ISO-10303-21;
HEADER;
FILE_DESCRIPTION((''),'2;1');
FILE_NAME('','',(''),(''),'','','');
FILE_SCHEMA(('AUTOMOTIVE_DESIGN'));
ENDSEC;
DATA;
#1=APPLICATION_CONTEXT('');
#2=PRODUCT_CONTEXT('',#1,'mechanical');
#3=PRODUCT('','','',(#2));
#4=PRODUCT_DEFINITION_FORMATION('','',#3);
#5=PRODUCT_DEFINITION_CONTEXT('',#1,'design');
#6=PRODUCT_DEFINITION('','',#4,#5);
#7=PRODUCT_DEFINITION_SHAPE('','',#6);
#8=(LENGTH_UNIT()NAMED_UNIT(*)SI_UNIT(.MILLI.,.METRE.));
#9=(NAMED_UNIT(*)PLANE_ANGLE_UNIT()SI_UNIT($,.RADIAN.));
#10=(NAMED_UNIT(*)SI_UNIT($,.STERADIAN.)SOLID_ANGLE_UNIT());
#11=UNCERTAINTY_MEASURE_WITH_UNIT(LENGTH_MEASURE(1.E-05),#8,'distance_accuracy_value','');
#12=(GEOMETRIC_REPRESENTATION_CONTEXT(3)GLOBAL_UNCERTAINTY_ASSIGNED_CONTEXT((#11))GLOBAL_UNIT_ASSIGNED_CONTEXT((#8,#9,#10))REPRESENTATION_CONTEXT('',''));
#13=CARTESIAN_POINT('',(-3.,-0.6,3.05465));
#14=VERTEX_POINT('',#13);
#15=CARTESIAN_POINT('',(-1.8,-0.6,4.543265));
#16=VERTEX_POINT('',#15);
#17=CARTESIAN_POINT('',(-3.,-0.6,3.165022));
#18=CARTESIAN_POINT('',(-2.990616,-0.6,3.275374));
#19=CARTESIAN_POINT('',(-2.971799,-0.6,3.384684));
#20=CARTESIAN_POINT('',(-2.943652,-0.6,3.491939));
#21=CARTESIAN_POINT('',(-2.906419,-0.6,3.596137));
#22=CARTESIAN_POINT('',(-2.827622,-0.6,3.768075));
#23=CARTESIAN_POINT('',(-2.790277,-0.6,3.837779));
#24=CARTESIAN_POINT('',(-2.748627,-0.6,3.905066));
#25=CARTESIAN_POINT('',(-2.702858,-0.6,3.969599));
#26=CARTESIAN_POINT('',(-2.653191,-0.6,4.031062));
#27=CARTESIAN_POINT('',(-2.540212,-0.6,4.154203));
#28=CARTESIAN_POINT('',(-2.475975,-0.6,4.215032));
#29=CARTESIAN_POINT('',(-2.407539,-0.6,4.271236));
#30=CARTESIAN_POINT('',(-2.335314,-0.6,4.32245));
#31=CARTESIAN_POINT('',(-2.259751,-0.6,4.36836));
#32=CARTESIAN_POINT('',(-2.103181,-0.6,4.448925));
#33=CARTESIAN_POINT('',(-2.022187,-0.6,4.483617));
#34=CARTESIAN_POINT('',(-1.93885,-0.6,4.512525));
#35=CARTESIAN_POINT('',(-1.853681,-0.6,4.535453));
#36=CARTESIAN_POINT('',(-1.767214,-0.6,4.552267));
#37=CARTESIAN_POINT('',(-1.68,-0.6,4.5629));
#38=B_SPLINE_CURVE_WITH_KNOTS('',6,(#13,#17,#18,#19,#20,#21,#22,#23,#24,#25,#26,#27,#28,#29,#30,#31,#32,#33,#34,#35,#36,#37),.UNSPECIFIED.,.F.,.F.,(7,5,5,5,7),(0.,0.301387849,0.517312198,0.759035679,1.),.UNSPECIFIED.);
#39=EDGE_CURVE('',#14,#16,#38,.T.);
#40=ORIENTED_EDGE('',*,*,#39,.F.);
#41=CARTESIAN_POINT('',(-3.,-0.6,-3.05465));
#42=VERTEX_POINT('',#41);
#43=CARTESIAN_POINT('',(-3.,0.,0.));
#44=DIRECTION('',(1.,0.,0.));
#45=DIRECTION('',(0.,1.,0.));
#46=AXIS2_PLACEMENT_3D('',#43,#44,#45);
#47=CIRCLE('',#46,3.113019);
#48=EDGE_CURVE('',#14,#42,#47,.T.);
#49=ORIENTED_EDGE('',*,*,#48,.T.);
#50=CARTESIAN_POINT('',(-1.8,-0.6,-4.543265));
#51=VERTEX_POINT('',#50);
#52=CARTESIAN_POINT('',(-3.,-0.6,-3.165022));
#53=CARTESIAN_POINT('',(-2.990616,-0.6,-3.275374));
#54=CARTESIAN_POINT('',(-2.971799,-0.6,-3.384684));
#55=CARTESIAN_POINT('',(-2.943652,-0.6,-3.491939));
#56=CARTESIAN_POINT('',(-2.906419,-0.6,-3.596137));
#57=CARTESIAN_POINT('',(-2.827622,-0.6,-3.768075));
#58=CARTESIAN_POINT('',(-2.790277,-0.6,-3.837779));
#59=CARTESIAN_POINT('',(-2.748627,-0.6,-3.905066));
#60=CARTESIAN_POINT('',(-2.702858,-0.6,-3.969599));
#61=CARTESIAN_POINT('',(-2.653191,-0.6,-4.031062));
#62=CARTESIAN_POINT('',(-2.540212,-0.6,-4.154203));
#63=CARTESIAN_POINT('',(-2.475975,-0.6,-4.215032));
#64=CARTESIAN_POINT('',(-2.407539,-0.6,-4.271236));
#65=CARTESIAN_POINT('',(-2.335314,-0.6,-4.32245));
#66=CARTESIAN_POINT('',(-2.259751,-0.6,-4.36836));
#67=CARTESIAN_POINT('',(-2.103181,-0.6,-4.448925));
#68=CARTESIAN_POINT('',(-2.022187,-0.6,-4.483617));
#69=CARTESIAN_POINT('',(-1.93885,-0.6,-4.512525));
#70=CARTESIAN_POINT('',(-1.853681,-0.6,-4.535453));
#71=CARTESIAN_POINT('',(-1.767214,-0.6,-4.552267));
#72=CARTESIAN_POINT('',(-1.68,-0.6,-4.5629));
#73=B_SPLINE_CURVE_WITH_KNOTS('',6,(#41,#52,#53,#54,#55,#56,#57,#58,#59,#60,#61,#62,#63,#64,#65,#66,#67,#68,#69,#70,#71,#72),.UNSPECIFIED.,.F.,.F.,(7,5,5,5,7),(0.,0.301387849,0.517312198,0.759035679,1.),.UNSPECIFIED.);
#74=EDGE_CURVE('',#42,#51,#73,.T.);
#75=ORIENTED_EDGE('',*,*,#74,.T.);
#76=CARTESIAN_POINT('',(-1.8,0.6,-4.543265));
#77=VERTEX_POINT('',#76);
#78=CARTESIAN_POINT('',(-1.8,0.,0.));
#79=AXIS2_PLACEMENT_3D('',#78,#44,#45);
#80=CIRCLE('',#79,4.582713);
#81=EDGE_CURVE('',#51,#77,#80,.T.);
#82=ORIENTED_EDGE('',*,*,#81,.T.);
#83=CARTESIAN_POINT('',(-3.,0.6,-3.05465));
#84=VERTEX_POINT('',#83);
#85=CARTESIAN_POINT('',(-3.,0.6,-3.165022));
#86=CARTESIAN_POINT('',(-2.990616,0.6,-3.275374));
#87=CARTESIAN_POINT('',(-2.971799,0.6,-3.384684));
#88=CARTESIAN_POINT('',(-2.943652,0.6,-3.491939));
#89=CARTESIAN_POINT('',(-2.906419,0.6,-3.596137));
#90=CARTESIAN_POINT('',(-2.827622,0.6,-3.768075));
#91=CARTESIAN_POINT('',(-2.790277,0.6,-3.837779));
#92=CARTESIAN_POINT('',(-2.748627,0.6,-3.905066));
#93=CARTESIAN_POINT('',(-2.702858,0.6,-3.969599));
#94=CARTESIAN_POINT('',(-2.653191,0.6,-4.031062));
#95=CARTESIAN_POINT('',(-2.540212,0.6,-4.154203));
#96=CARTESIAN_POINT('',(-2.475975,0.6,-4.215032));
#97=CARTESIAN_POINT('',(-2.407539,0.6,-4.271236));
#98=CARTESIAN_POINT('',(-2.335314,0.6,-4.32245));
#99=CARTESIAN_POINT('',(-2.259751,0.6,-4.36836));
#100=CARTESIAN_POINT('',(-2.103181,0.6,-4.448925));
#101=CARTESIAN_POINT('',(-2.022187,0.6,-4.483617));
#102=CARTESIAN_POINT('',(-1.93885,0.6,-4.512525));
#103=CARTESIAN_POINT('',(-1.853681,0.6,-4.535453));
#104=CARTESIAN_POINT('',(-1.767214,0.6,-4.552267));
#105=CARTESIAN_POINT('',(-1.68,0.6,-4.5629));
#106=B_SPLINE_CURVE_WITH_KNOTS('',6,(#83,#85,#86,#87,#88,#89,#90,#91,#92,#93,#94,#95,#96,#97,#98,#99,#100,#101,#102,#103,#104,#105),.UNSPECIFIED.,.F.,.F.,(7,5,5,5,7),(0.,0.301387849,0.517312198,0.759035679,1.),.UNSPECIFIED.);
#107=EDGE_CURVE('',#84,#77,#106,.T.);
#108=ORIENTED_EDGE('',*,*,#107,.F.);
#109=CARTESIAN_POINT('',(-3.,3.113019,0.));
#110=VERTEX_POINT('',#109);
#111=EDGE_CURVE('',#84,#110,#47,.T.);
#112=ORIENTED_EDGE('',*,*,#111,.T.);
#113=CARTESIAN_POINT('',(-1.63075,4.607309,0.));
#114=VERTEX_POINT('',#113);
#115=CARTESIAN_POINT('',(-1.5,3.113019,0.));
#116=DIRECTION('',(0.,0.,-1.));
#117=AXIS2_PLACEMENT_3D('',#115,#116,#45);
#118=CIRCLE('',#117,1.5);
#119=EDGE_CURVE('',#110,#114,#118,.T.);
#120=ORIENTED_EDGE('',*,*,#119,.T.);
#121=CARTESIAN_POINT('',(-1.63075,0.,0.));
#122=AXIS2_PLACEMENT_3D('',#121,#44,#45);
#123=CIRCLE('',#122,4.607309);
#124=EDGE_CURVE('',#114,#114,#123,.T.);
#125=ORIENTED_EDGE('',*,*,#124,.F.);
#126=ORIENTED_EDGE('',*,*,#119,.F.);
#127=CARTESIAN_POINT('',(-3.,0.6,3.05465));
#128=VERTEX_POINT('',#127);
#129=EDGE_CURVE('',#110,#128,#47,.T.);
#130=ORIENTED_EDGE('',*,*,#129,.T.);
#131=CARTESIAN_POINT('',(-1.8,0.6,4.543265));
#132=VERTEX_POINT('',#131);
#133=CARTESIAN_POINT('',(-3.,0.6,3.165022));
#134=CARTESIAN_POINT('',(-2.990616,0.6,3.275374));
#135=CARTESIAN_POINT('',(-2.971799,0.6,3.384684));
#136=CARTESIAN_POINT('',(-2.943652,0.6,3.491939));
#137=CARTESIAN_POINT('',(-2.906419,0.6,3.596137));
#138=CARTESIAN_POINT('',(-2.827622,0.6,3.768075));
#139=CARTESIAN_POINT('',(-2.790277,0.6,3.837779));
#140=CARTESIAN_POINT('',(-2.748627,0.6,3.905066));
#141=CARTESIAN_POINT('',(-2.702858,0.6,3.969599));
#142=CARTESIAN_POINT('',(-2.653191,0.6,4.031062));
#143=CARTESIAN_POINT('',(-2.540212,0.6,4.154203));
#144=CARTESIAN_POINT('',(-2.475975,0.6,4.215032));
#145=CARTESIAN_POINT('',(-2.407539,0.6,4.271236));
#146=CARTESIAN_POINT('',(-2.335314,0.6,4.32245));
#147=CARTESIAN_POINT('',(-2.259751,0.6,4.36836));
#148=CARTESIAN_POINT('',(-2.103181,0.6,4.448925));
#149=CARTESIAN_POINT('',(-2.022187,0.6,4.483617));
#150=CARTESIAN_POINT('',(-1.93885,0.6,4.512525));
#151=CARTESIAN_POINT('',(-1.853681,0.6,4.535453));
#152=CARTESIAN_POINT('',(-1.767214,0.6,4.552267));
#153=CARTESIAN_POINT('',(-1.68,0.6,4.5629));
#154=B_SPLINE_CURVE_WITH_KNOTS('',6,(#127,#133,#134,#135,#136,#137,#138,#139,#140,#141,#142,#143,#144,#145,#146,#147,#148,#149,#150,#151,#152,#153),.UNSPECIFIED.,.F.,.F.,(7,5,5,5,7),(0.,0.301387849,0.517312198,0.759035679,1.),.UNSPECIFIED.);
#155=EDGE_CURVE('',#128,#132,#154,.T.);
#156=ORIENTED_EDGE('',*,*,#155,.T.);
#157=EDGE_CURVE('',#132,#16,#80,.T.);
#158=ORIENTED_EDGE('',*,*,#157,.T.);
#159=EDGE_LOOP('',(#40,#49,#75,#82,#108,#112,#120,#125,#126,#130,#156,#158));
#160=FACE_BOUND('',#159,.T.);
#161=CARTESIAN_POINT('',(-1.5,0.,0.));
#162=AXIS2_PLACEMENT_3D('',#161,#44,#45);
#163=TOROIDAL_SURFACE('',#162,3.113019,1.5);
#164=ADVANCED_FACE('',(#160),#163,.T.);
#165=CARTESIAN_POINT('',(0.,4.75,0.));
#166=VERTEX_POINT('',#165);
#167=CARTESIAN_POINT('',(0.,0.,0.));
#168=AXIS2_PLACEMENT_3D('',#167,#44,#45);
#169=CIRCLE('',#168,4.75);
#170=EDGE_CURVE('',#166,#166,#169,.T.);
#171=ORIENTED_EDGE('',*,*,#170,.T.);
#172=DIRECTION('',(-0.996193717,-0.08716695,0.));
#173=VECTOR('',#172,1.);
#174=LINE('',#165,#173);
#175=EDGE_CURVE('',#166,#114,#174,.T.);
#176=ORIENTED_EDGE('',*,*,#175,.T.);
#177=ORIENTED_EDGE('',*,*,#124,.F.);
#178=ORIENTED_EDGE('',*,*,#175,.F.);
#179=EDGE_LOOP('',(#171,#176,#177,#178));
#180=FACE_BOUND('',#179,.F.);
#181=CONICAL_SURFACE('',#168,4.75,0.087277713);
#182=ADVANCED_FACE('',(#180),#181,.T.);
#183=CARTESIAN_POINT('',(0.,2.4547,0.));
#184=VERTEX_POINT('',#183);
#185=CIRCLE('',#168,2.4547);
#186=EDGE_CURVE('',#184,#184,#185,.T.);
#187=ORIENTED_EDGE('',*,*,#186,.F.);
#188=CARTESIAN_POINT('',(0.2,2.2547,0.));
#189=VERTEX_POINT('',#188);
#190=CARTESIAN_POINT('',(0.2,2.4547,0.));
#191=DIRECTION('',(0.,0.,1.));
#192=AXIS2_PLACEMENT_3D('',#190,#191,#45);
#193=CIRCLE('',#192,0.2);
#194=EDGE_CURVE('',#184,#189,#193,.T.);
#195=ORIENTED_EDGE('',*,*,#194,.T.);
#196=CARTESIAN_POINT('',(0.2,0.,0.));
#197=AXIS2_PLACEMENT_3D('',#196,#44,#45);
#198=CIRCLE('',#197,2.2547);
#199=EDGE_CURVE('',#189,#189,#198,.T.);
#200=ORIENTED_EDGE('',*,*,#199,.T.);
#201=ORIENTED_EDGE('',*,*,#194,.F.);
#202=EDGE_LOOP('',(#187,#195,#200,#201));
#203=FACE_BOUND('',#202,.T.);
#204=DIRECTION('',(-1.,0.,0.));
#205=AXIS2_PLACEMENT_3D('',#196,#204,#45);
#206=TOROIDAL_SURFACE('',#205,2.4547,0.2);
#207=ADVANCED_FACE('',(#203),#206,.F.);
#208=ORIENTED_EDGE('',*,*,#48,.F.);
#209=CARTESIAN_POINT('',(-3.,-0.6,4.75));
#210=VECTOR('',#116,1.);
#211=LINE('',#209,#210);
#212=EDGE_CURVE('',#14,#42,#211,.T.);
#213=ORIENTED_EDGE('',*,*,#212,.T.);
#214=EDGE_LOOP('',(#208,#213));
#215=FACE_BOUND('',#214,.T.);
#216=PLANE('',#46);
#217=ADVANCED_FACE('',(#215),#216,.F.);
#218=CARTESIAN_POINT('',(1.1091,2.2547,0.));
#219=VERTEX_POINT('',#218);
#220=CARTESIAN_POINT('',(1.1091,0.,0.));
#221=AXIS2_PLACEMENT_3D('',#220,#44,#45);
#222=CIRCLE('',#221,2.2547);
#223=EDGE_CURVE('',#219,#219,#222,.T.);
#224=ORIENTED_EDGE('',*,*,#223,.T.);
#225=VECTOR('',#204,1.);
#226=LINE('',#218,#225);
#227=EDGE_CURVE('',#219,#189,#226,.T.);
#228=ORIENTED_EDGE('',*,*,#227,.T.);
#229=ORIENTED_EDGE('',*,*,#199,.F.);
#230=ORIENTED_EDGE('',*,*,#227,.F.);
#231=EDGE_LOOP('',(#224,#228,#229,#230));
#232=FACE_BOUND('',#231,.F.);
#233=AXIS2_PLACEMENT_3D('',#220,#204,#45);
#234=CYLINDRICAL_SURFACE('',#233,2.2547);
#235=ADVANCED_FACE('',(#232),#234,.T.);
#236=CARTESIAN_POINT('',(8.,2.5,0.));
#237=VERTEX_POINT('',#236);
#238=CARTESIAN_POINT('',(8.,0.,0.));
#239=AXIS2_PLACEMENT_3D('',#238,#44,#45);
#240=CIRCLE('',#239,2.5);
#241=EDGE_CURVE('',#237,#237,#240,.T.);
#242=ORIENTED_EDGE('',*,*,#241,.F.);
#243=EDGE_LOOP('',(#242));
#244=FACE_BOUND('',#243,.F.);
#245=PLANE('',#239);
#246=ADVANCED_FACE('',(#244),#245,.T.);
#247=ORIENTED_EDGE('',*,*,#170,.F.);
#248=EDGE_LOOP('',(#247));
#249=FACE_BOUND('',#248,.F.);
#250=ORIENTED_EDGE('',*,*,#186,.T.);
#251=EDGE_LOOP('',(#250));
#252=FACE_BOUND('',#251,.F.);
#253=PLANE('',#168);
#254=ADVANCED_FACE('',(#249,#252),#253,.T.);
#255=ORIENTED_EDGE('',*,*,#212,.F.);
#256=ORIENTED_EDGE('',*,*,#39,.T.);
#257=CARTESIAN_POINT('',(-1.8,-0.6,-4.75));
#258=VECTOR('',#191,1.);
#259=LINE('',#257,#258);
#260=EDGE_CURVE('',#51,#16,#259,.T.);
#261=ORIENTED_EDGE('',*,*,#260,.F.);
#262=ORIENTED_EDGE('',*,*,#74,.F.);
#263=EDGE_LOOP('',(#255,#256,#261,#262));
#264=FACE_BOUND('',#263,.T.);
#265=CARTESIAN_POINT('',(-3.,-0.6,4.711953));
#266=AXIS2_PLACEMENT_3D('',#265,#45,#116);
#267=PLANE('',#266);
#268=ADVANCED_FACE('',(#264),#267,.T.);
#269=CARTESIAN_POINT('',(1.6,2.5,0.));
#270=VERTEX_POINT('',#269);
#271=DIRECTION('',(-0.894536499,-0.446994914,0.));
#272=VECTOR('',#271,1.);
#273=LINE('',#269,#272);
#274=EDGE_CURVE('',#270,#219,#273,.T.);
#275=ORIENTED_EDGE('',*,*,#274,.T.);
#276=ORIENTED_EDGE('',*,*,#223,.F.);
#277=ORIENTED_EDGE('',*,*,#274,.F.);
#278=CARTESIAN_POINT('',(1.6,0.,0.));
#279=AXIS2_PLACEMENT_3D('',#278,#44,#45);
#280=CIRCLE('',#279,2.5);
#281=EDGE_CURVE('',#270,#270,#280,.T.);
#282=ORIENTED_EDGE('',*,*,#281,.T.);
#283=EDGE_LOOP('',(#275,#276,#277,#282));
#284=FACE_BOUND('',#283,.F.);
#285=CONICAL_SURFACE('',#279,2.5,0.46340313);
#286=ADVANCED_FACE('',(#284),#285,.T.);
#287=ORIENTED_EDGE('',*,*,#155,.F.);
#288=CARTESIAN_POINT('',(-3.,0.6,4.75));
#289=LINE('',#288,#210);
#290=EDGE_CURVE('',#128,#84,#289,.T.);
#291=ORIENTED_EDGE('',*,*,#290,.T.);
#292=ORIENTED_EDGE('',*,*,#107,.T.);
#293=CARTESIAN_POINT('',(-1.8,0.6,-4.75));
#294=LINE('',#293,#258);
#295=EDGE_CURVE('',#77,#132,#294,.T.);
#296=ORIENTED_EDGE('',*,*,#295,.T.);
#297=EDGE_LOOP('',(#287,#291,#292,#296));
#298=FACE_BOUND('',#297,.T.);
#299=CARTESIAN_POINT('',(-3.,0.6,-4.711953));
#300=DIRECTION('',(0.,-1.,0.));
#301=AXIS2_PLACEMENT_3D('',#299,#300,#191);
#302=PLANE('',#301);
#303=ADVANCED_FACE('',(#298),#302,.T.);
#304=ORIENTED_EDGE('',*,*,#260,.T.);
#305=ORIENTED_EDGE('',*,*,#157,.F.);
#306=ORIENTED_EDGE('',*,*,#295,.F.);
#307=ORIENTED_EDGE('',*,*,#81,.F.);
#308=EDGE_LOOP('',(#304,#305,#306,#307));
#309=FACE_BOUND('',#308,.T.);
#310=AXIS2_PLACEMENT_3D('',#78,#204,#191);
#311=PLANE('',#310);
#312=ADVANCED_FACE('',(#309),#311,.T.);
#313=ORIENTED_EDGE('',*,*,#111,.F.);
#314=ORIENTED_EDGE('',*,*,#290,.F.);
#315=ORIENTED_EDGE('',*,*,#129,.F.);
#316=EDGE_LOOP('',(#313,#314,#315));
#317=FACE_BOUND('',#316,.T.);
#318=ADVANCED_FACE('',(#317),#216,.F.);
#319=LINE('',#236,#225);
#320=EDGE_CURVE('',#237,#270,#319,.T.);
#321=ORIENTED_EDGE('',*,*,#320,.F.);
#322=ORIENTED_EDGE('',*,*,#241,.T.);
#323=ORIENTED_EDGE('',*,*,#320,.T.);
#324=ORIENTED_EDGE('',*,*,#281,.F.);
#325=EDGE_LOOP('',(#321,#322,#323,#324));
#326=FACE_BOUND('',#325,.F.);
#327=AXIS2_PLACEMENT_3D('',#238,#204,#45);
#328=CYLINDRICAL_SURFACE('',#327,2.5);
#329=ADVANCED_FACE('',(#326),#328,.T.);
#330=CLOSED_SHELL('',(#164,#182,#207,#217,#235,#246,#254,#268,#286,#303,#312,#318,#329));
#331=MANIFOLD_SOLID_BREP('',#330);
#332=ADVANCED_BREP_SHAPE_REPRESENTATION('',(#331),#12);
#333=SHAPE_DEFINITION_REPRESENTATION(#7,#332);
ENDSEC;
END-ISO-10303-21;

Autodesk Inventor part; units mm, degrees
ref_plane "YZ Plane" through (0, 0, 0) normal (1, 0, 0) x (0, 1, 0)
ref_plane "XZ Plane" through (0, 0, 0) normal (0, 1, 0) x (-1, 0, 0)
sketch "Sketch1" plane through (0, 0, 0) normal (0, 0, 1) x (1, 0, 0)
  line L0 (-3, 0) -> (8, 0)
  line L1 (8, 0) -> (8, 2.5)
  line L2 (8, 2.5) -> (1.6, 2.5)
  line L3 (1.6, 2.5) -> (1.1091, 2.2547)
  line L4 (1.1091, 2.2547) -> (0, 2.2547)
  line L5 (0, 2.2547) -> (0, 4.75)
  line L6 (-5.2, 0) -> (10.2, 0) projected
  line L7 (0, -0.95) -> (0, 5.7) projected
  line L8 (-3, 0) -> (-3, 4.4875)
  line L9 (0, 4.75) -> (-3, 4.4875)
  line L10 (1.6, 2.5) -> (0, 2.5) construction
  dimension "d0" = 8
  dimension "d1" = 6.4
  dimension "d2" = 0.4909
  dimension "d3" = 3
  dimension "d4" = 5
  dimension "d5" = 4.5095
  dimension "d9" = 9.5
  dimension "d10" = 5
revolve "Body" add sketch "Sketch1" angle 360 about axis through (-3, 0, 0) along (1, 0, 0)
sketch "Sketch2" plane through (-3, 0, 0) normal (-1, 0, 0) x (0, 0, 1)
  circle A0 centre (0, 0) radius 4.75 projected
  line L0 (0, 0) -> (0, 4.4875) projected
  line L1 (-4.75, 0.6) -> (4.75, 0.6)
  line L2 (4.75, 0.6) -> (4.75, -0.6)
  line L3 (4.75, -0.6) -> (-4.75, -0.6)
  line L4 (-4.75, -0.6) -> (-4.75, 0.6)
  line L5 (-4.75, 0) -> (4.75, 0) construction
  line L6 (0, 0.6) -> (0, -0.6) construction
  dimension "d11" = 1.2
  dimension "d12" = 9.5
fillet "Fillet1" radius 1.5 1 edges at (-3, -4.4875, 0)
extrude "Slot" cut sketch "Sketch2" against normal blind 1.2 contours A0 L3 L1 | L2 L3 A0 | A0 L1 L2 | A0 L4 L1 | L3 L4 A0
thread "Thread" size "M5x0.8" class "6g" standard "ISO Metric profile" length 6.4
ref_plane "Work Plane1" through (30.1625, 0, 0) normal (0, 0, -1) x (1, 0, 0)
fillet "Fillet5" radius 0.2 1 edges at (0, -2.2547, 0)
equation "\"d11\" = SBR"
equation "\"d12\" = KOD"
equation "\"d14\" = RR"
equation "\"d19\" = STI"
equation "\"d15\" = GEL"
equation "\"d41\" = R"
equation "\"d0\" = NLG"
equation "\"d1\" = GEL"
equation "\"d3\" = KOH"
equation "\"d4\" = GD"
equation "\"d5\" = BDM"
equation "\"d9\" = KOD"
equation "\"d10\" = KEWI"
equation "\"GD\" = NND"
equation "\"NLG\" = 8"
equation "\"GEL\" = 6.4"
equation "\"KOD\" = 9.5"
equation "\"KOH\" = 3"
equation "\"GAL\" = 0.61345 * PTC"
equation "\"R\" = 0.2"
equation "\"BDM\" = 4.5095"
equation "\"GUL\" = 0.61345 * PTC"
equation "\"RR\" = 1.5"
equation "\"SBR\" = 1.2"
equation "\"STI\" = 1.2"
equation "\"KEWI\" = 5deg"
equation "\"PTC\" = 0.8"
equation "\"THREADDIA\" = 5"
equation "\"TOA\" = 30deg"
equation "\"NND\" = 5"
equation "\"GD1\" = THREADDIA - 1.2269 * PTC"
properties part number "ISO 1580 - M5 x 8" material "Steel, Mild"
